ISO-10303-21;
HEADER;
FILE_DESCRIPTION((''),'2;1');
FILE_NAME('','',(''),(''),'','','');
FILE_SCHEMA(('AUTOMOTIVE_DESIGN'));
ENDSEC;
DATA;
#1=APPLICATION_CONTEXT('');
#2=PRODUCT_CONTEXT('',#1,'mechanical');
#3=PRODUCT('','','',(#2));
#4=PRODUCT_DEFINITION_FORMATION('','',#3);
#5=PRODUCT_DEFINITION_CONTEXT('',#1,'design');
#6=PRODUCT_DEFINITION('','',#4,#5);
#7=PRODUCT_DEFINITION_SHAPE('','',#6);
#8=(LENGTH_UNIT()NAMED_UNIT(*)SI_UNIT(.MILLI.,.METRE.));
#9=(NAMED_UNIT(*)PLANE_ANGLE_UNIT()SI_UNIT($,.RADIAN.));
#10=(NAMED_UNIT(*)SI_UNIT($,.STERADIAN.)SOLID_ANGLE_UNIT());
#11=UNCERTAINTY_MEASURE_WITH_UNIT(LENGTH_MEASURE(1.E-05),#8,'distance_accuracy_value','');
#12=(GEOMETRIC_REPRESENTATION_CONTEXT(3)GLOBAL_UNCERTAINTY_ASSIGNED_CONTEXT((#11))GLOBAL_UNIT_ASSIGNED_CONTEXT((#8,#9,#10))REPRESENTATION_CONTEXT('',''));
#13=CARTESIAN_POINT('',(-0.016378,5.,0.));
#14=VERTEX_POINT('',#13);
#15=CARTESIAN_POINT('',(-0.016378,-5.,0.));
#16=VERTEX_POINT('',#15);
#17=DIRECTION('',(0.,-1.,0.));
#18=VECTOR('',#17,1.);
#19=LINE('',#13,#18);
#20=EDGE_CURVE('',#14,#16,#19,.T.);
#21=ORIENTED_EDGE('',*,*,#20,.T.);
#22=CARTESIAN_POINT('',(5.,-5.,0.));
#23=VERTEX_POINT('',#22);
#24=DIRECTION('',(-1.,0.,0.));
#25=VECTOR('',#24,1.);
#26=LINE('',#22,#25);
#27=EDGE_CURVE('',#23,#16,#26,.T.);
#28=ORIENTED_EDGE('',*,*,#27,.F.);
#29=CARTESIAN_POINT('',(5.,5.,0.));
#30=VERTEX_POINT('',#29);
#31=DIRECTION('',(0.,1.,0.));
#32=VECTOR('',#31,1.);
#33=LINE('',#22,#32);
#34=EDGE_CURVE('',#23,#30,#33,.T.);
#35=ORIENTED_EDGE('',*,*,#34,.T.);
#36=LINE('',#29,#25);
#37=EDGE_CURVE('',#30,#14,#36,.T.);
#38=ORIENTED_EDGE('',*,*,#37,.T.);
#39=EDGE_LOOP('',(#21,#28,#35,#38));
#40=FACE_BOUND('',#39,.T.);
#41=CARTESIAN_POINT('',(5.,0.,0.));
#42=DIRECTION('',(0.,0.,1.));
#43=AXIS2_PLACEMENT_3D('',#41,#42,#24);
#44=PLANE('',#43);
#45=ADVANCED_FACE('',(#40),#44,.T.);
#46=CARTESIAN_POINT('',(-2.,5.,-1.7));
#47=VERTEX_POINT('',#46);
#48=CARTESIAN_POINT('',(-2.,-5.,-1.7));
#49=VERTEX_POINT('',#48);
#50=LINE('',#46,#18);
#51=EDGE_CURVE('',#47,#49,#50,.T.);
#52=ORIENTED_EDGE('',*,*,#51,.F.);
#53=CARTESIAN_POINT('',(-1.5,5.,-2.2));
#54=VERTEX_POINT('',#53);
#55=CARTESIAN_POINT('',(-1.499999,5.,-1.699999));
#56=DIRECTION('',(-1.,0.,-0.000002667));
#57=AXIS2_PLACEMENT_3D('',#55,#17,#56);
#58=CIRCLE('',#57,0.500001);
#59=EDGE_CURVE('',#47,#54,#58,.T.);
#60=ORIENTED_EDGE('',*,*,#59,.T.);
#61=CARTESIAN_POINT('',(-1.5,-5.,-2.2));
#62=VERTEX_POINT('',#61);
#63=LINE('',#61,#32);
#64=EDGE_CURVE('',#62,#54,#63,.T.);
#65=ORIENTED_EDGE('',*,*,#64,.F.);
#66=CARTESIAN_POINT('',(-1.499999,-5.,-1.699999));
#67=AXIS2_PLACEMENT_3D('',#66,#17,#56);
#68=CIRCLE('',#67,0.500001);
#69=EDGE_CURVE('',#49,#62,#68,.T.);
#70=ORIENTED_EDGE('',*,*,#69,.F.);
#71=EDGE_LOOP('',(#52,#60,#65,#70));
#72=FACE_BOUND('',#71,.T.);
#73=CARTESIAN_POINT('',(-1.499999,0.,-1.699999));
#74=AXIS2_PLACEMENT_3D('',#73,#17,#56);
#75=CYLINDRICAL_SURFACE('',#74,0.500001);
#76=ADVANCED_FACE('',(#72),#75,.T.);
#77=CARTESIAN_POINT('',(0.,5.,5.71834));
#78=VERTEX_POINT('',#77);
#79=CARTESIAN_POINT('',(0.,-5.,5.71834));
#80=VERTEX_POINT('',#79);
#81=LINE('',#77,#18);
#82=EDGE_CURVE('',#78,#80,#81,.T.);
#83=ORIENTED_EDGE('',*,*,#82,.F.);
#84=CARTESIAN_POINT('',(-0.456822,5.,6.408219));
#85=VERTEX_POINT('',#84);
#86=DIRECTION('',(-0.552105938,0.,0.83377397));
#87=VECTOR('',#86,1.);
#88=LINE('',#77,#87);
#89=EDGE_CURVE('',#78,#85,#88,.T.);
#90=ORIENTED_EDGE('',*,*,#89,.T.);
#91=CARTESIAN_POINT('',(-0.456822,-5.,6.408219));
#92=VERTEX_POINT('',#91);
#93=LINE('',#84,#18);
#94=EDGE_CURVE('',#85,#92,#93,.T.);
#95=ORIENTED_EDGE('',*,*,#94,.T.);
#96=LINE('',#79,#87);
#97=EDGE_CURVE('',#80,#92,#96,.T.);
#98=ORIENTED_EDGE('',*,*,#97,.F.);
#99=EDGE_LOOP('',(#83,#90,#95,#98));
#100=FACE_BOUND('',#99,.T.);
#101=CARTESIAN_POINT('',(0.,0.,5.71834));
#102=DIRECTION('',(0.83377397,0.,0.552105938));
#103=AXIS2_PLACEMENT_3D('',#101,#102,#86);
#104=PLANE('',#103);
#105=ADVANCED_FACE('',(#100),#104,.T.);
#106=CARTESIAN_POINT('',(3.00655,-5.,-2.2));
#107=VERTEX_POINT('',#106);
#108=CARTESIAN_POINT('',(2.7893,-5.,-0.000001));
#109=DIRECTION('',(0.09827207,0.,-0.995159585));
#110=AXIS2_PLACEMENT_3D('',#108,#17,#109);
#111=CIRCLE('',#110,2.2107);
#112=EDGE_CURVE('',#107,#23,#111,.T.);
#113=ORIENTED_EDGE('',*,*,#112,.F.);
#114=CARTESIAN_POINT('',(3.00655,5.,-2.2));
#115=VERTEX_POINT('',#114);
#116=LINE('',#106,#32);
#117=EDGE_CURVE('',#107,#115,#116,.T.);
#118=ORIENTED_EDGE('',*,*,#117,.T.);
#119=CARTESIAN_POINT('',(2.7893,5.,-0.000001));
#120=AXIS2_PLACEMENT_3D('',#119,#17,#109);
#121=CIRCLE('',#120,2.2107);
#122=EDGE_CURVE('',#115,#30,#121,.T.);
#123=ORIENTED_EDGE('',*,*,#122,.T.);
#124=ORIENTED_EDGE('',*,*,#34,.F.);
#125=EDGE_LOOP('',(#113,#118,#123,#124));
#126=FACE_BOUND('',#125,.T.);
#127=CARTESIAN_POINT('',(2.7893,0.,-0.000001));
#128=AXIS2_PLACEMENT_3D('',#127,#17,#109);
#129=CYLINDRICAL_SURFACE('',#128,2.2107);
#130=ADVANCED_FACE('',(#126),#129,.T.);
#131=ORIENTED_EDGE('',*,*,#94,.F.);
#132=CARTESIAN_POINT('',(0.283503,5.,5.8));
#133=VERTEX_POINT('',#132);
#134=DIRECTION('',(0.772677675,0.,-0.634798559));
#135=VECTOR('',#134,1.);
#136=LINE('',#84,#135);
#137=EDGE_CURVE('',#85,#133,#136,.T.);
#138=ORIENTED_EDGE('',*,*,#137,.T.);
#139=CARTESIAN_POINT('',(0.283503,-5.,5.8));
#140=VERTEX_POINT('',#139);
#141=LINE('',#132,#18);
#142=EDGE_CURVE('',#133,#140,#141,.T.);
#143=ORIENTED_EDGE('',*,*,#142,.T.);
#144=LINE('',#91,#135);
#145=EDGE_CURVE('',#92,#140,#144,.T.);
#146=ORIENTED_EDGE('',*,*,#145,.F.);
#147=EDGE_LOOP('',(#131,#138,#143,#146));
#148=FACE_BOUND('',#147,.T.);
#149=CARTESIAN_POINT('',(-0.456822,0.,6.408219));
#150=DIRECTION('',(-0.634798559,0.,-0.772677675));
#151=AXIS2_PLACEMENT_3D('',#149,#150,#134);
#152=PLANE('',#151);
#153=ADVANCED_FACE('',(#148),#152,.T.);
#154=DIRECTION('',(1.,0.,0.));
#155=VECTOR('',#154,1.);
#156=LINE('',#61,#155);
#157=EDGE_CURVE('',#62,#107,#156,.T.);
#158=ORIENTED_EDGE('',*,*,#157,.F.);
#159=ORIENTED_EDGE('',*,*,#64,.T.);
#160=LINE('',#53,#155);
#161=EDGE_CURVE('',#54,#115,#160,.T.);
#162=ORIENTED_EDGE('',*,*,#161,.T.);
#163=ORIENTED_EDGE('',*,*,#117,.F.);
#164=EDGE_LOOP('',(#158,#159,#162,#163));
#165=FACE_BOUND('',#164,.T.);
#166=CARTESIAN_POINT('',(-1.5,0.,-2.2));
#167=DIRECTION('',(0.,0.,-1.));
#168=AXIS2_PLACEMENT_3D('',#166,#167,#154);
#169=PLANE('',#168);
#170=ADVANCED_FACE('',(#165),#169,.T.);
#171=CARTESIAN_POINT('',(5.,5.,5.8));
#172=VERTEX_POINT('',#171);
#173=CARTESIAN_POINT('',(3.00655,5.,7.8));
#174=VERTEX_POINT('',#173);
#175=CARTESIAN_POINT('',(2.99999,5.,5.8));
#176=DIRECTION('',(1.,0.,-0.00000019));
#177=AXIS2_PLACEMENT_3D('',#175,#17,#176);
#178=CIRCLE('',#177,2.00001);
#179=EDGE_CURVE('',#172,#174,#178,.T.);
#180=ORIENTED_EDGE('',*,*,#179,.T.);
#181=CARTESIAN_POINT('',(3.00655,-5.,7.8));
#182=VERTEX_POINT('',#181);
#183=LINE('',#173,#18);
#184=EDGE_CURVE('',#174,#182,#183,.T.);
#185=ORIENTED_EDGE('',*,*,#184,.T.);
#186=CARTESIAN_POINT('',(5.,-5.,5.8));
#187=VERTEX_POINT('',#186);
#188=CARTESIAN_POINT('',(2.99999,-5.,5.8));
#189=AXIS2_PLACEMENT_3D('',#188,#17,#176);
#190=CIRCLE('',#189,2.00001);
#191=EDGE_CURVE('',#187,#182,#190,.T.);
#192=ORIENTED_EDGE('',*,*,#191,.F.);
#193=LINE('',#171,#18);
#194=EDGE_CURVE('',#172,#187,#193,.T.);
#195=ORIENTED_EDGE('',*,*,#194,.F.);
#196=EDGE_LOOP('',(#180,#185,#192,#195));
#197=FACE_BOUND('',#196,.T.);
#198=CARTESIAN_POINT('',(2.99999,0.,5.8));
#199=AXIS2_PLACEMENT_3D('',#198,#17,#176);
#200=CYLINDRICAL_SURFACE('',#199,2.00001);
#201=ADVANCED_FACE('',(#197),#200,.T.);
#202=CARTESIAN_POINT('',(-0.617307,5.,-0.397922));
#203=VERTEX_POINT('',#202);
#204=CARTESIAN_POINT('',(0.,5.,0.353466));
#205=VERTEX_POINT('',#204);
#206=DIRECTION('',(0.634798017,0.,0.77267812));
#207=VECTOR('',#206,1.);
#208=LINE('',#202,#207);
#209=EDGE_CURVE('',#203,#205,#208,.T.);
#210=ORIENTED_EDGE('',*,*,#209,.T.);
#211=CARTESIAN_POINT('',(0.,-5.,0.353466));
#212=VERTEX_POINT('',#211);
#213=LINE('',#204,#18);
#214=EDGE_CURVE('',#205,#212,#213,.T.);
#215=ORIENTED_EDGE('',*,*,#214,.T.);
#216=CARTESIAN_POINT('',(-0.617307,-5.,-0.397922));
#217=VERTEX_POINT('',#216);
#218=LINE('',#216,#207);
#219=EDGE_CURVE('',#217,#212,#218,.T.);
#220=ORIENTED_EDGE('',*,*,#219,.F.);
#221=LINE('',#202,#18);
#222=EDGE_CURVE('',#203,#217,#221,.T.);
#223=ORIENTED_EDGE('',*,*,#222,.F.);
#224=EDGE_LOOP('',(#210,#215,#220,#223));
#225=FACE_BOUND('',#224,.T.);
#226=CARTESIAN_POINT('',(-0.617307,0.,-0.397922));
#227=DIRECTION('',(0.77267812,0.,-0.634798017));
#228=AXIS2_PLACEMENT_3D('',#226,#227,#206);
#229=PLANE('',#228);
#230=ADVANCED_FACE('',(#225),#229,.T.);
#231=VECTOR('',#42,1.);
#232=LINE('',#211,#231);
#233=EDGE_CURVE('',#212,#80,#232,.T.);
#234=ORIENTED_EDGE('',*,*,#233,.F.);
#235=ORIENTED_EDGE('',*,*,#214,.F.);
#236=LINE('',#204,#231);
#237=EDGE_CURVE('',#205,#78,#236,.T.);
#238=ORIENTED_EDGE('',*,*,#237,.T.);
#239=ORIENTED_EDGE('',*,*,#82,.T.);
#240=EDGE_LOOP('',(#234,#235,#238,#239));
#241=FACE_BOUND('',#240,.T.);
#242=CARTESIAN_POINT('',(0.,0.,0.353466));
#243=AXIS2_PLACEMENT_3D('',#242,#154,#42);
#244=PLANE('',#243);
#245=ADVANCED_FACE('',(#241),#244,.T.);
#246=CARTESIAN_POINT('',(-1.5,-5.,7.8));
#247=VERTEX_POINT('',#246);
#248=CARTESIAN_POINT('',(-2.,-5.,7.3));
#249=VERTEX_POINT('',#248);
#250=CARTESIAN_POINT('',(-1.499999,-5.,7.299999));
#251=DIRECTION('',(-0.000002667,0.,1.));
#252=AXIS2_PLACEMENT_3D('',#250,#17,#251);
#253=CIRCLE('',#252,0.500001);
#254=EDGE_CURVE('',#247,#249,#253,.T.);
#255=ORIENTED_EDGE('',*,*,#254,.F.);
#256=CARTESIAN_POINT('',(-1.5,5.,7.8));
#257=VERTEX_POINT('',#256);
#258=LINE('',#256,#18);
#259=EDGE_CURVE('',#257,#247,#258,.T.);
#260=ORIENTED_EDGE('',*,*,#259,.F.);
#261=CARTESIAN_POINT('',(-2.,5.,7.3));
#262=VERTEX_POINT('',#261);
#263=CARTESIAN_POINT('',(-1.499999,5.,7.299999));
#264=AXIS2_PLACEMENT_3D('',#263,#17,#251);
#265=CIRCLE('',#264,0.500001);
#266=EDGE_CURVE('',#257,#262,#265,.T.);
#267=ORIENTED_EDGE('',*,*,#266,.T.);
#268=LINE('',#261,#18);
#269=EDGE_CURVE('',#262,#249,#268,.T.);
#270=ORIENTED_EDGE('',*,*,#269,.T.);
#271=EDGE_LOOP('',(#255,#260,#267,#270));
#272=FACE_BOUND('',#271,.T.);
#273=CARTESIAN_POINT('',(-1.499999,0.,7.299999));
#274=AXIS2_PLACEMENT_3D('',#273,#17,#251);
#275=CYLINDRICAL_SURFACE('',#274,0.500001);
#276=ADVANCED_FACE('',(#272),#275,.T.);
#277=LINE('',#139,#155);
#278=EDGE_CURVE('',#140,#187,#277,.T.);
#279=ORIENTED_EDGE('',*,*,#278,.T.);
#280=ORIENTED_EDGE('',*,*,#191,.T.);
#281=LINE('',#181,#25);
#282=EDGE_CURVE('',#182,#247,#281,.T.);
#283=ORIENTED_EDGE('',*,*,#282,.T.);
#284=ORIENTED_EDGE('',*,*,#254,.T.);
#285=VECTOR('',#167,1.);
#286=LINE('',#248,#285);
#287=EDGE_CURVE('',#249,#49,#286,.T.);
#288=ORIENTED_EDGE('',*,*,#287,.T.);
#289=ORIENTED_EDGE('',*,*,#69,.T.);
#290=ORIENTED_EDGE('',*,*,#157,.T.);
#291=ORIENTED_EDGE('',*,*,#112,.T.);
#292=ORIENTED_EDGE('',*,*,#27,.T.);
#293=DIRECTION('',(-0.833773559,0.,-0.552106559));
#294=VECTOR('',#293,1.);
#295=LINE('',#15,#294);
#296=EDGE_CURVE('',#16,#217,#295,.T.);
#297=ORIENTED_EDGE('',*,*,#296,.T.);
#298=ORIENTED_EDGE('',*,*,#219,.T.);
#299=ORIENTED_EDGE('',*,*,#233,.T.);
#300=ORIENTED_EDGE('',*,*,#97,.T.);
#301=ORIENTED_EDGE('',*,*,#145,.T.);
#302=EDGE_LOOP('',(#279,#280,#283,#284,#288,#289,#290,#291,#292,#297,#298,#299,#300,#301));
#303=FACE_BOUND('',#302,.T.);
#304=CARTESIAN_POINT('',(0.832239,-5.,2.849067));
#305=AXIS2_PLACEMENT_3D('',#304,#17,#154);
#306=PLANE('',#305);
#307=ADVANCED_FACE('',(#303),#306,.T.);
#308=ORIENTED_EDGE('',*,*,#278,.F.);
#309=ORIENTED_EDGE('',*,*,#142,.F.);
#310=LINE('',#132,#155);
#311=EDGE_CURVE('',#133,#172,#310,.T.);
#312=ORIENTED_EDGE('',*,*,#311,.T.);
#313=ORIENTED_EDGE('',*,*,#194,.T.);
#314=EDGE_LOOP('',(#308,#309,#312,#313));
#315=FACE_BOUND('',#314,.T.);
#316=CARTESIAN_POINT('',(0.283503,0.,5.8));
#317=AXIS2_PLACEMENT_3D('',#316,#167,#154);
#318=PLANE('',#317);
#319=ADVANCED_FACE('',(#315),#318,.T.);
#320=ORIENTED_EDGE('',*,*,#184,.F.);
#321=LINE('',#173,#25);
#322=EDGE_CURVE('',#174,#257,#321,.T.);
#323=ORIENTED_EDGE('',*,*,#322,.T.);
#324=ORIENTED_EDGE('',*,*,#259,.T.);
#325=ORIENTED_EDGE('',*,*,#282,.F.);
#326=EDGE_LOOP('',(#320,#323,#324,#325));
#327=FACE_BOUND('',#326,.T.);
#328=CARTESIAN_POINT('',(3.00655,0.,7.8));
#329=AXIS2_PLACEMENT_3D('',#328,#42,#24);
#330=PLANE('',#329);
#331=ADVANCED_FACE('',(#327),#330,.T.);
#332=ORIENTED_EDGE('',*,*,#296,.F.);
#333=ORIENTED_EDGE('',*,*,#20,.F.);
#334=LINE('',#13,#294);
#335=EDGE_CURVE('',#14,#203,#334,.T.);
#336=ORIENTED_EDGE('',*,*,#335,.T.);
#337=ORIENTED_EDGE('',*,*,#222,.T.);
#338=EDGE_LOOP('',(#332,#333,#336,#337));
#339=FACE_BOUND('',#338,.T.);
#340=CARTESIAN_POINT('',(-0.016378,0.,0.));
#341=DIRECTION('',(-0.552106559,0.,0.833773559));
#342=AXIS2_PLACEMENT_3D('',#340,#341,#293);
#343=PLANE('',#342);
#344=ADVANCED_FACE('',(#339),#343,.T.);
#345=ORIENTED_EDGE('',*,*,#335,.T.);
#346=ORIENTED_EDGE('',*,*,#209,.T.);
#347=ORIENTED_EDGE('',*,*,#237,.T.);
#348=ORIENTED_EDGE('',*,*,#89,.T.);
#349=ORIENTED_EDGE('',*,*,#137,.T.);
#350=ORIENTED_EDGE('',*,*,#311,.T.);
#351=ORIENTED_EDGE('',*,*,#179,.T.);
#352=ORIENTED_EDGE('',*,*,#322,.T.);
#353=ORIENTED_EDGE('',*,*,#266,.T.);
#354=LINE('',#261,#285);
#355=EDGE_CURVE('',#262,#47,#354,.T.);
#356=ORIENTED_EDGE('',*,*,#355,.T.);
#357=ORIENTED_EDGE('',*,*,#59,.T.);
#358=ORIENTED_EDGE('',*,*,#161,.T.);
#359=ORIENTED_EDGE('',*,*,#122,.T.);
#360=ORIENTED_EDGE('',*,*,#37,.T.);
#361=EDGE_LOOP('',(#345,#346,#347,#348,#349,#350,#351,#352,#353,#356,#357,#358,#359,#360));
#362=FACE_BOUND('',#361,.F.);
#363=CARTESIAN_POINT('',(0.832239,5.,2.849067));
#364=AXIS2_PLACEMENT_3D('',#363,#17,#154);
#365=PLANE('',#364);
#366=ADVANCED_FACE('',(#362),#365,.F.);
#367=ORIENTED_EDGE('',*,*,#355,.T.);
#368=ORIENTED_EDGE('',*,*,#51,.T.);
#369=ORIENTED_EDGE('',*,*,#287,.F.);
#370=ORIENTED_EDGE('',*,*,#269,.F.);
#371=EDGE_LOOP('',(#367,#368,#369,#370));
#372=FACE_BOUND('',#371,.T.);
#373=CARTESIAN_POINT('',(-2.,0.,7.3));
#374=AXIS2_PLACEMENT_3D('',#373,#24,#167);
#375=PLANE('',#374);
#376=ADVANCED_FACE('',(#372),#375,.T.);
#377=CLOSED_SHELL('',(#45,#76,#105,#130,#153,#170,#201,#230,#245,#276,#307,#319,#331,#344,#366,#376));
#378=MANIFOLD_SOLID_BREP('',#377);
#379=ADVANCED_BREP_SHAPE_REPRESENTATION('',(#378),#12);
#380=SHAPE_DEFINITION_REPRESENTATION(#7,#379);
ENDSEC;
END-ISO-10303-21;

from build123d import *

# Parameters (mm, degrees)
F1_DEPTH = 5


with BuildPart() as f1:
    # F0 (on Front) → F1 (new body, symmetric)
    with BuildSketch(Plane.XZ):
        with BuildLine():
            Line((5, 0), (0, 0))
            Line((0, 0), (-0.016378, 0))
            Line((-0.016378, 0), (-0.617307, -0.397922))
            Line((-0.617307, -0.397922), (0, 0.353466))
            Line((0, 0.353466), (0, 5.71834))
            Line((0, 5.71834), (-0.456822, 6.408219))
            Line((-0.456822, 6.408219), (0.283503, 5.8))
            Line((0.283503, 5.8), (5, 5.8))
            ThreePointArc((5, 5.8), (4.416528, 7.2119), (3.00655, 7.8))
            Line((3.00655, 7.8), (-1.5, 7.8))
            ThreePointArc((-1.5, 7.8), (-1.853553, 7.653553), (-2, 7.3))
            Line((-2, 7.3), (-2, -1.7))
            ThreePointArc((-2, -1.7), (-1.853553, -2.053553), (-1.5, -2.2))
            Line((-1.5, -2.2), (3.00655, -2.2))
            ThreePointArc((3.00655, -2.2), (4.427511, -1.484406), (5, 0))
        make_face()
    extrude(amount=F1_DEPTH, both=True)


solid = f1.part
